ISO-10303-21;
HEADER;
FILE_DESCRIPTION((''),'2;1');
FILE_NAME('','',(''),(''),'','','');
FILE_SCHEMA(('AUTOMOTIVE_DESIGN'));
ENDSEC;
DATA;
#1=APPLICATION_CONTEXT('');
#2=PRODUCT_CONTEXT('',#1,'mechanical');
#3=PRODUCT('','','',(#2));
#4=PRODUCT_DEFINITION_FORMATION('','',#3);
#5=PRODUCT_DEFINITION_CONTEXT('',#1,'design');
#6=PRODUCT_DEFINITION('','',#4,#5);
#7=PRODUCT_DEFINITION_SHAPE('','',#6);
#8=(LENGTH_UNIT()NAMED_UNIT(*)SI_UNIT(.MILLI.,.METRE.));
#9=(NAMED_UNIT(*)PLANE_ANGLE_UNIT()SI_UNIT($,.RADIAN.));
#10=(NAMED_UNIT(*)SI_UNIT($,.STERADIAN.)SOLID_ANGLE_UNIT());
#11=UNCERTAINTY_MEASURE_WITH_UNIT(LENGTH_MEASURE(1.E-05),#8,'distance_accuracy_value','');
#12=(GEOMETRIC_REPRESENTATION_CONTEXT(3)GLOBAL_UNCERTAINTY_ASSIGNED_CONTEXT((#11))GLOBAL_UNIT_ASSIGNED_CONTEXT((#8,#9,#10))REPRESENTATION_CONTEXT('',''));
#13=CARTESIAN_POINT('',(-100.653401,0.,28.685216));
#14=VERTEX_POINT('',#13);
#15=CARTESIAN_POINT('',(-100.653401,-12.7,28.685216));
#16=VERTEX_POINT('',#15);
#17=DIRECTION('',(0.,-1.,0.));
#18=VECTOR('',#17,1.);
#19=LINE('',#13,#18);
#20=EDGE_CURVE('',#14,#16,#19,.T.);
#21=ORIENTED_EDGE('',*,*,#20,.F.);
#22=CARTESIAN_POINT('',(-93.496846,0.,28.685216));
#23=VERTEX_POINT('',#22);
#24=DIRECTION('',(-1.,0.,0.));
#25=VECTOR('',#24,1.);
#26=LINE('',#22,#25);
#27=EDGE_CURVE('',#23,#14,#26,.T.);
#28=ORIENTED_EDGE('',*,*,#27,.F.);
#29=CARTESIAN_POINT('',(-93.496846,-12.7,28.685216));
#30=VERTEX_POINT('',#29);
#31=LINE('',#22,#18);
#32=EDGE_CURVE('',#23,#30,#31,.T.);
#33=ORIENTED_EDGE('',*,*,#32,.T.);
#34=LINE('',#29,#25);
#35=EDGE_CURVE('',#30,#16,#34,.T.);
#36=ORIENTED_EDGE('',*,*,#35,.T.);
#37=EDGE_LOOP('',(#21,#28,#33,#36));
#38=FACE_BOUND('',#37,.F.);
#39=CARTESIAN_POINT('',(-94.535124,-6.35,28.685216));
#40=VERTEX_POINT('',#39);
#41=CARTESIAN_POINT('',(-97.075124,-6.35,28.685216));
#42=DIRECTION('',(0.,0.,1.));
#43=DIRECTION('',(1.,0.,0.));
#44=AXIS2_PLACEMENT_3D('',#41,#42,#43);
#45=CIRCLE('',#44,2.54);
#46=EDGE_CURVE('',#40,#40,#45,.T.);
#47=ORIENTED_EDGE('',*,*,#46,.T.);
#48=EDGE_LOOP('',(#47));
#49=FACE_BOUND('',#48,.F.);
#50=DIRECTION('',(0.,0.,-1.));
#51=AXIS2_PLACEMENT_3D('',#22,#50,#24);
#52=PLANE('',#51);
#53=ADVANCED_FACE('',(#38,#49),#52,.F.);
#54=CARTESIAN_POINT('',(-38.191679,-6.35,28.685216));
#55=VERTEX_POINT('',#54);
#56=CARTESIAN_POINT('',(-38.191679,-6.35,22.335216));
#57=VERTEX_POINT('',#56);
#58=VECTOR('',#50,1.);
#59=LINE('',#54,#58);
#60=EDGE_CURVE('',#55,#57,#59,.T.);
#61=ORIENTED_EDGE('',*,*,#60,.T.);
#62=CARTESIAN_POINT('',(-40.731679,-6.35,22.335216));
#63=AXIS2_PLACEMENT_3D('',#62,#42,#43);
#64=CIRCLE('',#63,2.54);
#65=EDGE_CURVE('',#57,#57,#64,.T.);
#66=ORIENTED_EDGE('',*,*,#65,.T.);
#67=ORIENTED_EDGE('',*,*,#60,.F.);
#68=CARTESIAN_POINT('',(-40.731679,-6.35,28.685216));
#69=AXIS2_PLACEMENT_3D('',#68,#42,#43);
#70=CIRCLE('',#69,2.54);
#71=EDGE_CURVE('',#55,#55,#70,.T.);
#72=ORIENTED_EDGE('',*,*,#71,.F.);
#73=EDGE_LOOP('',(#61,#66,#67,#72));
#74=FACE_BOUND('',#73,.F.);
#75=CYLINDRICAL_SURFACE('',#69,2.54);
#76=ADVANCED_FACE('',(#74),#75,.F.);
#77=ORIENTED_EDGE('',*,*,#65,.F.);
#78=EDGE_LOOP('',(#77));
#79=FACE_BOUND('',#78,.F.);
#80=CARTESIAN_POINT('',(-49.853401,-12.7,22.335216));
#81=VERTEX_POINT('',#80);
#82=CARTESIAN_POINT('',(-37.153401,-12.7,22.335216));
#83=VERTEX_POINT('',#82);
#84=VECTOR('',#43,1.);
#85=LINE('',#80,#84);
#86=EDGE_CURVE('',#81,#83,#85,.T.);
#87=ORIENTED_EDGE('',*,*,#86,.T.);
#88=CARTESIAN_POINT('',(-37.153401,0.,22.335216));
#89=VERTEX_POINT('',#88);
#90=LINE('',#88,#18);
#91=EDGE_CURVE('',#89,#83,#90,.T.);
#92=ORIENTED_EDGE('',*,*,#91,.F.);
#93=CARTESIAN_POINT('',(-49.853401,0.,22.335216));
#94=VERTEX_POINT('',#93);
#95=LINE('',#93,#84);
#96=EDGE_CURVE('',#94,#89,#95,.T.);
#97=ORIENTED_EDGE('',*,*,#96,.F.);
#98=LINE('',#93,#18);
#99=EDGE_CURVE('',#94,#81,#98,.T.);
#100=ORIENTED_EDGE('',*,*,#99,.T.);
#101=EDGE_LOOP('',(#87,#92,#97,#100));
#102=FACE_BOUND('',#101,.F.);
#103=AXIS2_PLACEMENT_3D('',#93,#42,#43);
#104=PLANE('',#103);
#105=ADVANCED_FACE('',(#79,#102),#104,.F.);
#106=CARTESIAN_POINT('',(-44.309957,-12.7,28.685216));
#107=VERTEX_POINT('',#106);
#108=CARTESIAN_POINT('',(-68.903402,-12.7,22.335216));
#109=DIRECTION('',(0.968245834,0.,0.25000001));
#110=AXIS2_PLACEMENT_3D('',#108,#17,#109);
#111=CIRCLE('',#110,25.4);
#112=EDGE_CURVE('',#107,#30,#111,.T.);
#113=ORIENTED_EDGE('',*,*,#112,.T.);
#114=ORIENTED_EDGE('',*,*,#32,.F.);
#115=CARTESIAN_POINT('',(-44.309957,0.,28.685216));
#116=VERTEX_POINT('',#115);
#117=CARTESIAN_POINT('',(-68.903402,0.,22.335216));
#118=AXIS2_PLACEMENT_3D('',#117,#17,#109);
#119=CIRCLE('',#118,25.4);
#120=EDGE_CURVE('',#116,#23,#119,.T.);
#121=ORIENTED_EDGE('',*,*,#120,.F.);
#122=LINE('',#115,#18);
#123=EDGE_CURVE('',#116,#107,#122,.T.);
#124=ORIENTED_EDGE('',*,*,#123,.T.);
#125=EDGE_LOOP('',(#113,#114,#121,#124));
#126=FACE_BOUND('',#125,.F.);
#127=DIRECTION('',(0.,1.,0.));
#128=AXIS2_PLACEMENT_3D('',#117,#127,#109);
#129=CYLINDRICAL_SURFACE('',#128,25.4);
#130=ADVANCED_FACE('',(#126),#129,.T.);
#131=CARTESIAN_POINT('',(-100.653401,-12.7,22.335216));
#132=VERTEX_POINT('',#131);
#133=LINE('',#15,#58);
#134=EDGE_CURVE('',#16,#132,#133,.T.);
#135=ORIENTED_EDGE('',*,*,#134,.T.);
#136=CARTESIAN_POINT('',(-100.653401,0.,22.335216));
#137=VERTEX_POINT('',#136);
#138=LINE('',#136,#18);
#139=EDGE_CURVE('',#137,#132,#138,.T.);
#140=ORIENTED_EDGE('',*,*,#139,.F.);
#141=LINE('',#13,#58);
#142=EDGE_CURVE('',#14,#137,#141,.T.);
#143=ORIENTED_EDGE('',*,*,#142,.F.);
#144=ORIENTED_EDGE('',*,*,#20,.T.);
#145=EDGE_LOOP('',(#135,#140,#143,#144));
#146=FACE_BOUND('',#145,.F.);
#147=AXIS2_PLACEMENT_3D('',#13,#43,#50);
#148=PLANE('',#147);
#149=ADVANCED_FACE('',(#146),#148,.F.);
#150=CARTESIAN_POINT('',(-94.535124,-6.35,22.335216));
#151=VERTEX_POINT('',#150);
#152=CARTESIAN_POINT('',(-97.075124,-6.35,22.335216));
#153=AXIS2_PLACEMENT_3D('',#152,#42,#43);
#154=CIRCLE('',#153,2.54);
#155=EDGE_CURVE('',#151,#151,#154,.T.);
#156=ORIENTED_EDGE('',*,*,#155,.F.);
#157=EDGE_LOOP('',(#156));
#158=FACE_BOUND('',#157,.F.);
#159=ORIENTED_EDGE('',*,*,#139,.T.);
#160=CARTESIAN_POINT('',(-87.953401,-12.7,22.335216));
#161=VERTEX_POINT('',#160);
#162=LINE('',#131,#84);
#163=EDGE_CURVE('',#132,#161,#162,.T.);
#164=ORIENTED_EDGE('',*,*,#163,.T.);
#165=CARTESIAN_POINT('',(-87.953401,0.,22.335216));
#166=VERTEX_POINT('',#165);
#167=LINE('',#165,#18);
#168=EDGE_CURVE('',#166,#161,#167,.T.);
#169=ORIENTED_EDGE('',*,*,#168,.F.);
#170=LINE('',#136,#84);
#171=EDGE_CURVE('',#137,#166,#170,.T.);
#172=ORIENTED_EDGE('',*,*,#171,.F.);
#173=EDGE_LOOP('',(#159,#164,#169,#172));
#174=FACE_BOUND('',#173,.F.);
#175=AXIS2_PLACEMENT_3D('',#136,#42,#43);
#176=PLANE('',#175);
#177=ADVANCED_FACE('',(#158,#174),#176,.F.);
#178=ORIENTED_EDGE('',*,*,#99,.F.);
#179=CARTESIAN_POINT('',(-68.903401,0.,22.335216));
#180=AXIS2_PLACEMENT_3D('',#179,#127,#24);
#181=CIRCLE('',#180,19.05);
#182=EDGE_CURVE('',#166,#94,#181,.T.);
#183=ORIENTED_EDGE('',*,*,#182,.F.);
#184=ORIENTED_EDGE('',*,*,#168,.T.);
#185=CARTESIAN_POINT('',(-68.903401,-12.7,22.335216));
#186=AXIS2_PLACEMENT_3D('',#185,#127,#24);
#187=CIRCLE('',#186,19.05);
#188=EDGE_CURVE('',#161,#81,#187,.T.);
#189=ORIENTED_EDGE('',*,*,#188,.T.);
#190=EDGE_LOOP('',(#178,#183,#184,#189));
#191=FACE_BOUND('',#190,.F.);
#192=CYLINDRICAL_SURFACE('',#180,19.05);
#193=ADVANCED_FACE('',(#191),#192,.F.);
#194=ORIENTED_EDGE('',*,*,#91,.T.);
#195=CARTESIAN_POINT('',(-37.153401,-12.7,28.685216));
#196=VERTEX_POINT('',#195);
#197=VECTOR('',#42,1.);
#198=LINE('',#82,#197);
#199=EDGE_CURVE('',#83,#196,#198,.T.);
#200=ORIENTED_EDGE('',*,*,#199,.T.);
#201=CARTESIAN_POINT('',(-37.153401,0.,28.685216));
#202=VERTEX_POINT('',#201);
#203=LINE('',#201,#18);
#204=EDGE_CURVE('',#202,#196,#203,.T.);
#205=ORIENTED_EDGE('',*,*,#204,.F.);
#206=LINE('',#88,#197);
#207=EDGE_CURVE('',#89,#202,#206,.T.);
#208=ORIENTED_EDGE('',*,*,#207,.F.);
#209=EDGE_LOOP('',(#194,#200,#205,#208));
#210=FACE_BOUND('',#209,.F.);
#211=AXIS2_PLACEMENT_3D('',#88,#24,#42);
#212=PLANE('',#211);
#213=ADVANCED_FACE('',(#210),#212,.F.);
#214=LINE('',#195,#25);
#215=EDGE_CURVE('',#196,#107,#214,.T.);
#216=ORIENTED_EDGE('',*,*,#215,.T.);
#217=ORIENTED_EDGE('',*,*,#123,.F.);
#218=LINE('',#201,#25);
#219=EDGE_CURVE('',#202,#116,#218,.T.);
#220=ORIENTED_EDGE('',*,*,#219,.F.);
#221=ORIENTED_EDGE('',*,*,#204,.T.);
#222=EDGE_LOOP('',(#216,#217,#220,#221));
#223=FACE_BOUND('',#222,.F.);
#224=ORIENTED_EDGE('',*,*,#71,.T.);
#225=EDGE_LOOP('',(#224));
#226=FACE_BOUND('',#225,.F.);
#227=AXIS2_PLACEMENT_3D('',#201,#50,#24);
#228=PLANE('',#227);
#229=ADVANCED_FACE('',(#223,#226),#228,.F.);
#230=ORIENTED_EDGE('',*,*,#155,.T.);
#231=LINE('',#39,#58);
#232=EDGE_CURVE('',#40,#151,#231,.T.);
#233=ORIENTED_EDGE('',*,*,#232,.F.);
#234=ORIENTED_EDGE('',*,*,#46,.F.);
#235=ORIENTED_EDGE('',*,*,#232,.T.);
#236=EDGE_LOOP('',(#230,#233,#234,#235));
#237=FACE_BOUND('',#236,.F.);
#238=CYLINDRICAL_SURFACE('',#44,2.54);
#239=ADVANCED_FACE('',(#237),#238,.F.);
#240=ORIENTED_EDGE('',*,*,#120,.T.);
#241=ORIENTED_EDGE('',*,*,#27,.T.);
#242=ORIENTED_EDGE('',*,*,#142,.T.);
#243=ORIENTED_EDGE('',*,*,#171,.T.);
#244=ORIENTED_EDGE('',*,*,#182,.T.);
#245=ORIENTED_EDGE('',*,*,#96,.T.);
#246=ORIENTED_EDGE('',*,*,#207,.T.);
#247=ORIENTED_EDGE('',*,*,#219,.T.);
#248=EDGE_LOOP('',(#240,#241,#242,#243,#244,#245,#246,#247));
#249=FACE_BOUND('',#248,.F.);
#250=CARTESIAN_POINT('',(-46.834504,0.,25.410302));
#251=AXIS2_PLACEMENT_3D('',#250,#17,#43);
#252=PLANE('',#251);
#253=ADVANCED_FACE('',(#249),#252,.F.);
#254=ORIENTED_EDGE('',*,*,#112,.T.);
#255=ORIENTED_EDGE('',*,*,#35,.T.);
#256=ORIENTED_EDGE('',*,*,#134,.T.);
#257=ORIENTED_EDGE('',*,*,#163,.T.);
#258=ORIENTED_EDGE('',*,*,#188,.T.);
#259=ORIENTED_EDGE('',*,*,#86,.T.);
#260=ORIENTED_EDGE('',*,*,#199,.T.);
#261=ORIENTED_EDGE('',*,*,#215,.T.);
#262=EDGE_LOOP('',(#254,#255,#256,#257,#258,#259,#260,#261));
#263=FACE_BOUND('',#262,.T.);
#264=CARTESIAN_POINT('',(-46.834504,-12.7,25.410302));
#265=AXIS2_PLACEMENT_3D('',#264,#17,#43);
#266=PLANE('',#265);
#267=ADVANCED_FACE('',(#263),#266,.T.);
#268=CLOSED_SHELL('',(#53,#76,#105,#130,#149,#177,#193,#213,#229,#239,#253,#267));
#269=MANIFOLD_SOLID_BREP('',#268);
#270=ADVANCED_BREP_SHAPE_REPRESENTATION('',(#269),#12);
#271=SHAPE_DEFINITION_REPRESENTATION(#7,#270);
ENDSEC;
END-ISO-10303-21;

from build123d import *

# Parameters (mm, degrees)
F1_DEPTH = 12.7
F2_R     = 2.54
F3_DEPTH = 25.4
F4_R     = 2.54
F5_DEPTH = 25.4


with BuildPart() as f1:
    # F0 (on Front) → F1 (new body)
    with BuildSketch(Plane.XZ):
        with BuildLine():
            Line((-49.853401, 28.685216), (-49.853401, 22.335216))
            Line((-49.853401, 22.335216), (-43.503401, 22.335216))
            ThreePointArc((-43.503401, 22.335216), (-43.705847, 25.535725), (-44.309957, 28.685216))
            Line((-44.309957, 28.685216), (-49.853401, 28.685216))
        make_face()
        with BuildLine():
            ThreePointArc((-87.953401, 22.335216), (-68.903401, 41.385216), (-49.853401, 22.335216))
            Line((-49.853401, 22.335216), (-49.853401, 28.685216))
            Line((-49.853401, 28.685216), (-44.309957, 28.685216))
            ThreePointArc((-44.309957, 28.685216), (-68.903401, 47.735216), (-93.496846, 28.685216))
            Line((-93.496846, 28.685216), (-87.953401, 28.685216))
            Line((-87.953401, 28.685216), (-87.953401, 22.335216))
        make_face()
        with BuildLine():
            Line((-94.303401, 22.335216), (-87.953401, 22.335216))
            Line((-87.953401, 22.335216), (-87.953401, 28.685216))
            Line((-87.953401, 28.685216), (-93.496846, 28.685216))
            ThreePointArc((-93.496846, 28.685216), (-94.100956, 25.535725), (-94.303401, 22.335216))
        make_face()
        with BuildLine():
            ThreePointArc((-44.309957, 28.685216), (-43.705847, 25.535725), (-43.503401, 22.335216))
            Line((-43.503401, 22.335216), (-37.153401, 22.335216))
            Line((-37.153401, 22.335216), (-37.153401, 28.685216))
            Line((-37.153401, 28.685216), (-44.309957, 28.685216))
        make_face()
        with BuildLine():
            Line((-100.653401, 22.335216), (-94.303401, 22.335216))
            ThreePointArc((-94.303401, 22.335216), (-94.100956, 25.535725), (-93.496846, 28.685216))
            Line((-93.496846, 28.685216), (-100.653401, 28.685216))
            Line((-100.653401, 28.685216), (-100.653401, 22.335216))
        make_face()
    extrude(amount=F1_DEPTH)

    # F2 (on face) → F3 (cut)
    with BuildSketch(Plane.XY.offset(28.685216)):
        with Locations((-40.731679, -6.35)):
            Circle(F2_R)
    extrude(amount=-F3_DEPTH, mode=Mode.SUBTRACT)

    # F4 (on face) → F5 (cut)
    with BuildSketch(Plane.XY.offset(28.685216)):
        with Locations((-97.075124, -6.35)):
            Circle(F4_R)
    extrude(amount=-F5_DEPTH, mode=Mode.SUBTRACT)


solid = f1.part
